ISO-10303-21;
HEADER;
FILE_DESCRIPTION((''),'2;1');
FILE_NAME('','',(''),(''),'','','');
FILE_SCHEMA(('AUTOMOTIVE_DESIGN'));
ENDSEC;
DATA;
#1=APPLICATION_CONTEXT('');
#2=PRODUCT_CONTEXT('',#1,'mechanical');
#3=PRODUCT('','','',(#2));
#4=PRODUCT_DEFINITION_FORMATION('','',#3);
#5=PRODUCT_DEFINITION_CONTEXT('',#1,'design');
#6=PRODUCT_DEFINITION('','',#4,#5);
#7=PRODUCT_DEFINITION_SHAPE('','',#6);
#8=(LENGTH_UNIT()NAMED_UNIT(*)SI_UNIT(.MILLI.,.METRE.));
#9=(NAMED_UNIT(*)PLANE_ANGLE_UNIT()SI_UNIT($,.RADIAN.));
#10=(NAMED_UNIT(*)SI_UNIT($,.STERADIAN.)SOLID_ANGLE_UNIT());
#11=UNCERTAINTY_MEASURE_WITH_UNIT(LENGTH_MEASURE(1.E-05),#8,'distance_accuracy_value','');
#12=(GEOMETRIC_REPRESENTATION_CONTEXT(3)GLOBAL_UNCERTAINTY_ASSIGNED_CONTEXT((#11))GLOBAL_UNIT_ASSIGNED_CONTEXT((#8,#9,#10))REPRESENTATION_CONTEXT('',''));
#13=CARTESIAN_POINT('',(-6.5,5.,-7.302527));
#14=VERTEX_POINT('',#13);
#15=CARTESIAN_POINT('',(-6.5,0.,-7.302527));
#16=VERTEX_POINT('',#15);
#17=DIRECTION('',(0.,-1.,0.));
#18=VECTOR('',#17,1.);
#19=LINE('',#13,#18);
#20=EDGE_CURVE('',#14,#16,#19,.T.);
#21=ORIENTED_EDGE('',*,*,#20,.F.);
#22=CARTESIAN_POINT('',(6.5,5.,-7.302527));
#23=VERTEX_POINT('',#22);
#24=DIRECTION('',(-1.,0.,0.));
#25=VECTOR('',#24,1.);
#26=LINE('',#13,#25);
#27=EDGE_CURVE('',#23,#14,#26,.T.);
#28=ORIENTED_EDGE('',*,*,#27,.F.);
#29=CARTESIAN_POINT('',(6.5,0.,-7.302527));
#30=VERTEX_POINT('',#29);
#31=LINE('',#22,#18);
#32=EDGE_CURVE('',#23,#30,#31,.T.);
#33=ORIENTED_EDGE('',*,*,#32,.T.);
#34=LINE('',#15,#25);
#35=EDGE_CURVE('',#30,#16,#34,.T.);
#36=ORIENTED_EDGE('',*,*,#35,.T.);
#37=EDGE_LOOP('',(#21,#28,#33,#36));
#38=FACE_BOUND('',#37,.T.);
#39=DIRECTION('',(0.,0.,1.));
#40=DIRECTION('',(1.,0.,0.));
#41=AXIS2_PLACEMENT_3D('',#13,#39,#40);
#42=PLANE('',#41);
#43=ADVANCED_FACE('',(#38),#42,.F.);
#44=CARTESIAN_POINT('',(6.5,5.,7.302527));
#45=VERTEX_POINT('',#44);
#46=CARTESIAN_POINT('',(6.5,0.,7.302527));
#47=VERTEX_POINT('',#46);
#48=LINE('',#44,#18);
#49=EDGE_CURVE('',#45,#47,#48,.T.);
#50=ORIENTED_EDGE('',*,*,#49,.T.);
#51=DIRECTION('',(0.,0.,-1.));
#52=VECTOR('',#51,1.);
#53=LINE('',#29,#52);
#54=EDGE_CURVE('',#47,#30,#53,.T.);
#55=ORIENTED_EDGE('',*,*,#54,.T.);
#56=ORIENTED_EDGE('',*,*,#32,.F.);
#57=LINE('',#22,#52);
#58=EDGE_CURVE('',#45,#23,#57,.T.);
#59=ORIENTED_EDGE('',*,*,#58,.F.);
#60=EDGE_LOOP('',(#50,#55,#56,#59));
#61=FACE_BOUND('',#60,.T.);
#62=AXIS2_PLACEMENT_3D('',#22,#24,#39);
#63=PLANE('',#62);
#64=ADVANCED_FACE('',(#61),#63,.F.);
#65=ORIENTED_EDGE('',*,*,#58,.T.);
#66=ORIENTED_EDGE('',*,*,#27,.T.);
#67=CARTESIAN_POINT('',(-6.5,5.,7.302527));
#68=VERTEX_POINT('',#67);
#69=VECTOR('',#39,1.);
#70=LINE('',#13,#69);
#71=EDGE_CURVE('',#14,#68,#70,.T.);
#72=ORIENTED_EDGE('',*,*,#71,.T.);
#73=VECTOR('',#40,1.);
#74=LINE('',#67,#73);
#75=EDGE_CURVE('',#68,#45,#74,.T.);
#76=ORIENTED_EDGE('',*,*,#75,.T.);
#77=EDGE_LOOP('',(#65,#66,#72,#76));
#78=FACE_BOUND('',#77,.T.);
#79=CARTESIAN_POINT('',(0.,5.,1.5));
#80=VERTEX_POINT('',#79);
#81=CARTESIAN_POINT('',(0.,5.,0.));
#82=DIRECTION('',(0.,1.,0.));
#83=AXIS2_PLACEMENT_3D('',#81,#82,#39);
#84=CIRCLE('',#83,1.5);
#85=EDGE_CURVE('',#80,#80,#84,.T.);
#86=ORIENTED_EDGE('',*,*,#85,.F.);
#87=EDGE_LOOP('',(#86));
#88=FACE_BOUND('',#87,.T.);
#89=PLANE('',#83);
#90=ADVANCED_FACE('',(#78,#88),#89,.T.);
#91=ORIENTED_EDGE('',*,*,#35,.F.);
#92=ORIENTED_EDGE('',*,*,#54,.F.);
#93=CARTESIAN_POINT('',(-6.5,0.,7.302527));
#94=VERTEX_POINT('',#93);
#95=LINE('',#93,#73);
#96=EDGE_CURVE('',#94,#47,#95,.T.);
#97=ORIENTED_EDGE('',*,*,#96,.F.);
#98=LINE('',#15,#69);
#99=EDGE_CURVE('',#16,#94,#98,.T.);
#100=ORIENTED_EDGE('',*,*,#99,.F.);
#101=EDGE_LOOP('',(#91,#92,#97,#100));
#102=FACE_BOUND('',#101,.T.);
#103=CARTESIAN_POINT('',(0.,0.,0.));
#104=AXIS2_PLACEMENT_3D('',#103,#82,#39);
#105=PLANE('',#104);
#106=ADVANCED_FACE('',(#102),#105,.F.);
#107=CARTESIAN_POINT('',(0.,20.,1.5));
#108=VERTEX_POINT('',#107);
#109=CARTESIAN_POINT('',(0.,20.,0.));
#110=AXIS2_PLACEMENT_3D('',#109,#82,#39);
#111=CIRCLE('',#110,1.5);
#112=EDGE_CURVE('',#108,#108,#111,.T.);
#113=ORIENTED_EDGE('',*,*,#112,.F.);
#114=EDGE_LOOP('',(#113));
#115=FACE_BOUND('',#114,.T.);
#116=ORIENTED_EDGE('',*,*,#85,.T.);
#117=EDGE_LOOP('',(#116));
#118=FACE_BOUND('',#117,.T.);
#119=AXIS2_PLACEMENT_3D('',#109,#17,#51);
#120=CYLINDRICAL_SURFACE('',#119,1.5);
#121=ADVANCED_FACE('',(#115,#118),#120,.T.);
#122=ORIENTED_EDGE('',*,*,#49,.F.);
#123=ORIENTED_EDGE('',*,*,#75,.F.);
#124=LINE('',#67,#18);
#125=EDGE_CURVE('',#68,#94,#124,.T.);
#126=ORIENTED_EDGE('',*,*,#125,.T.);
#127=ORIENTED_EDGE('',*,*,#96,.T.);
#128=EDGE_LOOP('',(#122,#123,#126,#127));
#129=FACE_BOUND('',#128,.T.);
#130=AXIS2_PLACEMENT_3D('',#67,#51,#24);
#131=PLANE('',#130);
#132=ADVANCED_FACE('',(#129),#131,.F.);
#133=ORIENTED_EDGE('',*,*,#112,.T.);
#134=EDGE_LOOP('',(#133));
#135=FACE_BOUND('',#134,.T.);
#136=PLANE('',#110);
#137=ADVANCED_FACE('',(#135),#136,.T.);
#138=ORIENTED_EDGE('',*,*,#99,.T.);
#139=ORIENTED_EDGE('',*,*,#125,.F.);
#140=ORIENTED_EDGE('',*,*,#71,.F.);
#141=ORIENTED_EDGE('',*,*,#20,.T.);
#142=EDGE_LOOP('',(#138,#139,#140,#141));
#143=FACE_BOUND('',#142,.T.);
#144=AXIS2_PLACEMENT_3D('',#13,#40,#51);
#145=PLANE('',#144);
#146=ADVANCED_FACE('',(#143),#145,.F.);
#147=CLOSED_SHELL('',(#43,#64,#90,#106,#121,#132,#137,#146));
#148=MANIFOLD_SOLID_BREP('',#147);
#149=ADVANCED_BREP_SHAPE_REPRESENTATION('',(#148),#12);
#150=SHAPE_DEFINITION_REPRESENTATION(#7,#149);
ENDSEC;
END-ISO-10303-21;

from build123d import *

# Parameters (mm, degrees)
SKETCH_1_W      = 13
SKETCH_1_H      = 14.605053714
EXTRUDE_1_DEPTH = 5
SKETCH_2_R      = 1.5
EXTRUDE_2_DEPTH = 15


with BuildPart() as part:
    # 草图1 → 凸台-拉伸1 (new body)
    with BuildSketch(Plane(origin=(0, 0, 0), x_dir=(1, 0, 0), z_dir=(0, 1, 0))):
        Rectangle(SKETCH_1_W, SKETCH_1_H)
    extrude(amount=EXTRUDE_1_DEPTH)

    # 草图2 → 凸台-拉伸2 (add)
    with BuildSketch(Plane(origin=(0, 5, 0), x_dir=(1, 0, 0), z_dir=(0, 1, 0))):
        Circle(SKETCH_2_R)
    extrude(amount=EXTRUDE_2_DEPTH)


solid = part.part
